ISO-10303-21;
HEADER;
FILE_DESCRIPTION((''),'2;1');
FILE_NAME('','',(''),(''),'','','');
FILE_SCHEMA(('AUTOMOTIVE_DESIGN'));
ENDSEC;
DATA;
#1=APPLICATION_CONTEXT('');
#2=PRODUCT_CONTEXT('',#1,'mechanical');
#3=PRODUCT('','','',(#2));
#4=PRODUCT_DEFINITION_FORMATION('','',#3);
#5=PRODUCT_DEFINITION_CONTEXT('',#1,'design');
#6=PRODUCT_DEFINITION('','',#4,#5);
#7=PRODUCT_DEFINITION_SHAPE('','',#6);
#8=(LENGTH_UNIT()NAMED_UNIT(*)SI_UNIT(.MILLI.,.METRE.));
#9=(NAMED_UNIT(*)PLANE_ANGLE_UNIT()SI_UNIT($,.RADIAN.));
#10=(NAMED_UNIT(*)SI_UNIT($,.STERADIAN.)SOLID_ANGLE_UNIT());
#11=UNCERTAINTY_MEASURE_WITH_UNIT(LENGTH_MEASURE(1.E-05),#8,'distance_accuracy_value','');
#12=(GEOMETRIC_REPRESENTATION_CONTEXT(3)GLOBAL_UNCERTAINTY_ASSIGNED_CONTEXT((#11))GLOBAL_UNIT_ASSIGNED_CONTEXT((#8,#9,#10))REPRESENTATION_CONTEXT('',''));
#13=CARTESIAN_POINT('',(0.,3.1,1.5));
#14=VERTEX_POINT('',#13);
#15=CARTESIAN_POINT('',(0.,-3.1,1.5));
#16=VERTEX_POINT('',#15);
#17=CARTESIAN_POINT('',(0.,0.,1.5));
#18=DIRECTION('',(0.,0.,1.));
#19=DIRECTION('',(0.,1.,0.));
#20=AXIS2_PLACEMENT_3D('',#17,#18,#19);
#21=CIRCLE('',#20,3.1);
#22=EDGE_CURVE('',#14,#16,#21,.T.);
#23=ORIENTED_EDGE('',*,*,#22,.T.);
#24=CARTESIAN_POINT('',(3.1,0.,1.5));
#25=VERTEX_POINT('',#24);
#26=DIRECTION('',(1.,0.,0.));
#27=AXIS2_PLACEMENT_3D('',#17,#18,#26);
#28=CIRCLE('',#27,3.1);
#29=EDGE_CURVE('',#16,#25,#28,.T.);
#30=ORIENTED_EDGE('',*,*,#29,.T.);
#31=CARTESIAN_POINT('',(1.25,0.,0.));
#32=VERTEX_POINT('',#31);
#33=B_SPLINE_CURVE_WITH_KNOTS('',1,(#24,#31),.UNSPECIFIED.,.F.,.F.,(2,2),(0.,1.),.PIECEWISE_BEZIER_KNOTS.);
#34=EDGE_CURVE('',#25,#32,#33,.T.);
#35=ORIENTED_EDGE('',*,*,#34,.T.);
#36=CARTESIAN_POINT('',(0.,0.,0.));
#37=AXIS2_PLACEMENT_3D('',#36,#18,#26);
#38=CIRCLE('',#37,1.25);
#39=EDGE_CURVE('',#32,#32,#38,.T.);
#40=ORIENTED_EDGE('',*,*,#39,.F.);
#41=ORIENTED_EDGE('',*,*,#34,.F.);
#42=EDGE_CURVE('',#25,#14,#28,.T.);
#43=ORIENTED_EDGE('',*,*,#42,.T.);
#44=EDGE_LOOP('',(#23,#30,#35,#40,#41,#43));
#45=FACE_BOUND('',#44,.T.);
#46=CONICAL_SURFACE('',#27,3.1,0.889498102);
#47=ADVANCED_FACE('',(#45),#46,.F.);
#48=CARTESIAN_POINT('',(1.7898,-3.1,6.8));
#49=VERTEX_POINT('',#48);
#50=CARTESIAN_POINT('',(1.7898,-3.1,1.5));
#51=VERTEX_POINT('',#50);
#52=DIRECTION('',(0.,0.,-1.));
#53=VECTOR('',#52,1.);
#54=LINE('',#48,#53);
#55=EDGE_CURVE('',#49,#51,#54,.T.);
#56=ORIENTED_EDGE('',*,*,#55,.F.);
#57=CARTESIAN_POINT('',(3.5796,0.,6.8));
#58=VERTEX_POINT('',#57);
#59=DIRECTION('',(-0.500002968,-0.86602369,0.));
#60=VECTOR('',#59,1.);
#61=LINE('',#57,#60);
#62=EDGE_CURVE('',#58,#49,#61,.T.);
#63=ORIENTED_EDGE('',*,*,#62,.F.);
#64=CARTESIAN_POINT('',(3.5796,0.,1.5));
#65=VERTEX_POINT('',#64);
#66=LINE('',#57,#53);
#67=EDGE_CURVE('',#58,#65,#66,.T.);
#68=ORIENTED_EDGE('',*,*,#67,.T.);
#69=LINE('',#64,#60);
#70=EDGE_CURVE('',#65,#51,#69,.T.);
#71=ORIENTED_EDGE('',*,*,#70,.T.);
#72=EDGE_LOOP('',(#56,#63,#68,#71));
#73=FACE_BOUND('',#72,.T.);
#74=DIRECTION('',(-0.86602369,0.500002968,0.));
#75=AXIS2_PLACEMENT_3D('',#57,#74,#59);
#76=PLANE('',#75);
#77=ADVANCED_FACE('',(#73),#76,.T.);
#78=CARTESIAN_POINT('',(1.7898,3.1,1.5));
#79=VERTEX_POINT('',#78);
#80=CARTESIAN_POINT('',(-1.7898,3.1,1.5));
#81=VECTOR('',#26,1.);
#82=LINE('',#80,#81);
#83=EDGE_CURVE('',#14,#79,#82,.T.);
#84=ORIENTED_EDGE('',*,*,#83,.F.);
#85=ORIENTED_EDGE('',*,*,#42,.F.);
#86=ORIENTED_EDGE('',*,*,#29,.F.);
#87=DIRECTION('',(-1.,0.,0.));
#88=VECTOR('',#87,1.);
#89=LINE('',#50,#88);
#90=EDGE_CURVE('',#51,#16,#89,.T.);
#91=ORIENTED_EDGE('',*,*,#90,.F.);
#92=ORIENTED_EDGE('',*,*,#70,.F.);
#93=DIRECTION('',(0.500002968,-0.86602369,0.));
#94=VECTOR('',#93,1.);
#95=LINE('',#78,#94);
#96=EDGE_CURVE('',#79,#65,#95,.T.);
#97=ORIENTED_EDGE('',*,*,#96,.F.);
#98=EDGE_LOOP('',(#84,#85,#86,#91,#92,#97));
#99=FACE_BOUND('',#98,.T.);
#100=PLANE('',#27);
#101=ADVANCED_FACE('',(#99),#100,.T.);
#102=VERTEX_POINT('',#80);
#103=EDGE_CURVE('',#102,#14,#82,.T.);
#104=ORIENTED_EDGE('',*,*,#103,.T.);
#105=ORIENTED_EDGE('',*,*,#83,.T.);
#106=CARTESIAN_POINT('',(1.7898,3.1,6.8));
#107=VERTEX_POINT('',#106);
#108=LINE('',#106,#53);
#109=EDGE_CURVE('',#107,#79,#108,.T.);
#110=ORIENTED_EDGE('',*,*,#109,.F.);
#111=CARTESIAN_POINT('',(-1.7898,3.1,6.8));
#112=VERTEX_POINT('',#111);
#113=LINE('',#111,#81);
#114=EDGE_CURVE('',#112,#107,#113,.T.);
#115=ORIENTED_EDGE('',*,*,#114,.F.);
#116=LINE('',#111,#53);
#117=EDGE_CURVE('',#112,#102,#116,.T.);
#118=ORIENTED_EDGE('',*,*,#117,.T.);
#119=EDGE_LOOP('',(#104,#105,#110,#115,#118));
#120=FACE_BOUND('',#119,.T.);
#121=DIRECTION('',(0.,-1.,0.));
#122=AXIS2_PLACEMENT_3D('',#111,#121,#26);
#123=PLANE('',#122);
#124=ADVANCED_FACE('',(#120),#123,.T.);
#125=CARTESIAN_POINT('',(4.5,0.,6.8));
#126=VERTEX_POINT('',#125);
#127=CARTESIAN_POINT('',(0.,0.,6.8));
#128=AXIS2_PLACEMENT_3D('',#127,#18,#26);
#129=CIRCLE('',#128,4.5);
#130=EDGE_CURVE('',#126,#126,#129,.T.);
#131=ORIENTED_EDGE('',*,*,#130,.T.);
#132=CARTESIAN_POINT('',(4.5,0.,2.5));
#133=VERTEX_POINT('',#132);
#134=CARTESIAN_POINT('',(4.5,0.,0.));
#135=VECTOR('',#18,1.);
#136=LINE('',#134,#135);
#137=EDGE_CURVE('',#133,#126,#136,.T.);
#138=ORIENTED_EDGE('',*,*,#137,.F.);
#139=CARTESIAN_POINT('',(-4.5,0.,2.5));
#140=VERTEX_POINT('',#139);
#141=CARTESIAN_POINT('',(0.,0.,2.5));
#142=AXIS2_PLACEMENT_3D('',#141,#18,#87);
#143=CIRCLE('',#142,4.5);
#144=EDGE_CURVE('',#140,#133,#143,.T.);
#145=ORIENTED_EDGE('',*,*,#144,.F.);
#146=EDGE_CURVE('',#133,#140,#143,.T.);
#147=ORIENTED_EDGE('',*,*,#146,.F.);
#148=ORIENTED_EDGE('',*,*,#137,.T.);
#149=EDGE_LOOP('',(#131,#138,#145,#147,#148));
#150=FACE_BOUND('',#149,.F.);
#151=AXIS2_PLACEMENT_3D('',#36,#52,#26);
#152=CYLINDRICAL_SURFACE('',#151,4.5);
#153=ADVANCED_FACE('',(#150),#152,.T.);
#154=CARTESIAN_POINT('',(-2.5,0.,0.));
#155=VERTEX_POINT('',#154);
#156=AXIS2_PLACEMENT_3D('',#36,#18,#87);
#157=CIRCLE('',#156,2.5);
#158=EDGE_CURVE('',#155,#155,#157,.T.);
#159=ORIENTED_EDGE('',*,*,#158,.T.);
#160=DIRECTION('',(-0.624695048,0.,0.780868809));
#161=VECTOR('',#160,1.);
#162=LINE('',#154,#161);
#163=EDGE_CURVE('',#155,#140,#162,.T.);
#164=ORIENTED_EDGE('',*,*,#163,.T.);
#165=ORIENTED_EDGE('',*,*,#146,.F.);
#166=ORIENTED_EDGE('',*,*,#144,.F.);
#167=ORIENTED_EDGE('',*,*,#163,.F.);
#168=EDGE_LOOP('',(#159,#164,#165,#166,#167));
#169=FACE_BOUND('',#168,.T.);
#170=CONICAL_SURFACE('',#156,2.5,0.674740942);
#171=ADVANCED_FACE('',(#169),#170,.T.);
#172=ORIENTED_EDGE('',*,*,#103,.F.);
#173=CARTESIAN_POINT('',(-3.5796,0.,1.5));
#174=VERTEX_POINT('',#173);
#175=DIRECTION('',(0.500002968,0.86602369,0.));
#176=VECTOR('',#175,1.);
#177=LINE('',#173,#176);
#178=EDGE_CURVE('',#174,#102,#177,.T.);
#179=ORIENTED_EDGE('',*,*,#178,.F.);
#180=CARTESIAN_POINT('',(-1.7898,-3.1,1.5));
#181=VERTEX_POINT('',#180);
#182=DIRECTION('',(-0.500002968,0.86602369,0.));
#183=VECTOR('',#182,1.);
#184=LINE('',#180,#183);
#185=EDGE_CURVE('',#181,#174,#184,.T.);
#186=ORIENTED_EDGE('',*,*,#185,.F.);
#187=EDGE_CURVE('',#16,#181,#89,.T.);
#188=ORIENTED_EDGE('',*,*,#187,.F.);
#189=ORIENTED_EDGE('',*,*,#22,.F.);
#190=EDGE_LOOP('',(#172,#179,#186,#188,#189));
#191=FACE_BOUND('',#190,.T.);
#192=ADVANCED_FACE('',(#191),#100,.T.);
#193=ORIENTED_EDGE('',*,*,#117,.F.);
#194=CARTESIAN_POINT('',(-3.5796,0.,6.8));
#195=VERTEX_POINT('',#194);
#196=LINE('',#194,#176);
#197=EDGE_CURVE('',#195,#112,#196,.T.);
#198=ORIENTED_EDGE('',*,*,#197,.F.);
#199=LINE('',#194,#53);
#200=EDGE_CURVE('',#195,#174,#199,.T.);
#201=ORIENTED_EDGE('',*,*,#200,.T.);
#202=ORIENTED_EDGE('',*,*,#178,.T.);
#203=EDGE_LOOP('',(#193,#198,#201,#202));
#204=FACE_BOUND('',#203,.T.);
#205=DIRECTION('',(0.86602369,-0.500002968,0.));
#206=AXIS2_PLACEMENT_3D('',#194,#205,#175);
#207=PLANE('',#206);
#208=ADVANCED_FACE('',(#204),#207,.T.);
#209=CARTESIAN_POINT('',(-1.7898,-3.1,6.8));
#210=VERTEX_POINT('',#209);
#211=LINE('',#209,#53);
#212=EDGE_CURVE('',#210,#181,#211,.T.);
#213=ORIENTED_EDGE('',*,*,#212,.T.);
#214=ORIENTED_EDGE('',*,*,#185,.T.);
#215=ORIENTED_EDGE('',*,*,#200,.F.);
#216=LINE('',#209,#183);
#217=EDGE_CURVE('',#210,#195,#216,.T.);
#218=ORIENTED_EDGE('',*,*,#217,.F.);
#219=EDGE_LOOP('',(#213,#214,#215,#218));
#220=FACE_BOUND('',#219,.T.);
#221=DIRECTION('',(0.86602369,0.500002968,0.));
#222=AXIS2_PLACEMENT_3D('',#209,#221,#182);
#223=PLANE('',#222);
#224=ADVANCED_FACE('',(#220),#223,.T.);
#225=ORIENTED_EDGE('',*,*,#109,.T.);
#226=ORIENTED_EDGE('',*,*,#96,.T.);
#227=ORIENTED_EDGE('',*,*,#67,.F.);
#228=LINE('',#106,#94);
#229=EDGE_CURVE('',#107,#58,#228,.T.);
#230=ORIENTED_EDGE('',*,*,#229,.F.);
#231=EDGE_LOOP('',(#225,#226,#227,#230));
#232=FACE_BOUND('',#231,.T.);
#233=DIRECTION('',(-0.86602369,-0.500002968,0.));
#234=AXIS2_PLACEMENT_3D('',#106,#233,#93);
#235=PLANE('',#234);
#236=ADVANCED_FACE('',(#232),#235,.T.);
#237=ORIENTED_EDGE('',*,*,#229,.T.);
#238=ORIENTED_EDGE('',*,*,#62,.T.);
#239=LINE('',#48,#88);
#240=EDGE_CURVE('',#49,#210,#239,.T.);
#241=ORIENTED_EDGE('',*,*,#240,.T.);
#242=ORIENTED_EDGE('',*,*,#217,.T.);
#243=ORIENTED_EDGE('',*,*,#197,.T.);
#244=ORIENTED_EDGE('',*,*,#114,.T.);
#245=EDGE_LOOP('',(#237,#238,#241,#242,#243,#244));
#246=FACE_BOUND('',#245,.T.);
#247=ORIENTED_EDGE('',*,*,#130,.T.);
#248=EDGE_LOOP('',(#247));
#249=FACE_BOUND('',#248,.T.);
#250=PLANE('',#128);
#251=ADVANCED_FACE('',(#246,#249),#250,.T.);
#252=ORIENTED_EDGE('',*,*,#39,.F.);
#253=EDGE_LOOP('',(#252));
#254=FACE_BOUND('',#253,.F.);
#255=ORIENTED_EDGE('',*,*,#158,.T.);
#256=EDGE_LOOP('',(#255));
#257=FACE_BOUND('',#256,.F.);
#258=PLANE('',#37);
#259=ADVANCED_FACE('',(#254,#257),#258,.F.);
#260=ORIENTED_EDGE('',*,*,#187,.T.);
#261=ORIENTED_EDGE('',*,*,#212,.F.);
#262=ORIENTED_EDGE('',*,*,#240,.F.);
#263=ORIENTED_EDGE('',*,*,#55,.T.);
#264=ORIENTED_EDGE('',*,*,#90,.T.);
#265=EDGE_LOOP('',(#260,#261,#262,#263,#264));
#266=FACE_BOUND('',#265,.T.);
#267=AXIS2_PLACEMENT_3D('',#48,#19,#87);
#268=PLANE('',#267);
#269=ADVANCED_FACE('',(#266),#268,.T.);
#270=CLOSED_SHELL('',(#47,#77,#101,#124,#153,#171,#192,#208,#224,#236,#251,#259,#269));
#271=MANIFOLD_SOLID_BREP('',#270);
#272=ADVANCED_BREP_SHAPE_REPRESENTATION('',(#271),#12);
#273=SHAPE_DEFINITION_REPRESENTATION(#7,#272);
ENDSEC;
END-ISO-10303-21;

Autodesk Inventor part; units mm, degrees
ref_plane "YZ Plane" through (0, 0, 0) normal (1, 0, 0) x (0, 1, 0)
ref_plane "XZ Plane" through (0, 0, 0) normal (0, 1, 0) x (-1, 0, 0)
ref_plane "XY Plane" through (0, 0, 0) normal (0, 0, 1) x (1, 0, 0)
sketch "Sketch1" plane through (0, 0, 0) normal (0, 0, 1) x (1, 0, 0)
  circle A0 centre (0, 0) radius 4.5
  dimension "d0" = 9
extrude "Extrusion1" add sketch "Sketch1" along normal blind 6.8
sketch "Sketch2" plane through (0, 0, 6.8) normal (0, 0, 1) x (1, 0, 0)
  line L0 (-1.7898, 3.1) -> (1.7898, 3.1)
  line L1 (1.7898, 3.1) -> (3.5796, 0)
  line L2 (3.5796, 0) -> (1.7898, -3.1)
  line L3 (1.7898, -3.1) -> (-1.7898, -3.1)
  line L4 (-1.7898, -3.1) -> (-3.5796, 0)
  line L5 (-3.5796, 0) -> (-1.7898, 3.1)
  point P0 (0, 0)
  point P1 (0, 3.1)
  point P2 (0, -3.1)
  dimension "d3" = 6.2
  dimension "d4" = 6.2
extrude "Extrusion2" cut sketch "Sketch2" against normal blind 5.3
sketch "Sketch3" plane through (0, 0, 0) normal (0, 0, -1) x (-1, 0, 0)
  circle A0 centre (0, 0) radius 1.25
  dimension "d7" = 2.5
sketch "Sketch4" plane through (0, 0, 1.5) normal (0, 0, 1) x (1, 0, 0)
  circle A0 centre (0, 0) radius 3.1
  dimension "d8" = 6.2
loft "Loft1" cut profiles "Sketch4", "Sketch3"
sketch "Sketch5" plane through (0, 0, 0) normal (0, 1, 0) x (-1, 0, 0)
  line L0 (-4.5, 0) -> (4.5, 0) projected
  line L1 (2.5, 0) -> (4.5, 2.5)
  line L2 (4.5, 2.5) -> (4.5, 0)
  line L3 (4.5, 0) -> (2.5, 0)
  line L4 (0, -0.5) -> (0, 3) projected
  point P0 (0, 0)
  dimension "d14" = 2.5
  dimension "d15" = 2
revolve "Revolution1" cut sketch "Sketch5" angle 360 about axis through (0, 0, -10) along (0, 0, 1)
equation "\"d4\" = d3"
properties part number "mouthcover"
